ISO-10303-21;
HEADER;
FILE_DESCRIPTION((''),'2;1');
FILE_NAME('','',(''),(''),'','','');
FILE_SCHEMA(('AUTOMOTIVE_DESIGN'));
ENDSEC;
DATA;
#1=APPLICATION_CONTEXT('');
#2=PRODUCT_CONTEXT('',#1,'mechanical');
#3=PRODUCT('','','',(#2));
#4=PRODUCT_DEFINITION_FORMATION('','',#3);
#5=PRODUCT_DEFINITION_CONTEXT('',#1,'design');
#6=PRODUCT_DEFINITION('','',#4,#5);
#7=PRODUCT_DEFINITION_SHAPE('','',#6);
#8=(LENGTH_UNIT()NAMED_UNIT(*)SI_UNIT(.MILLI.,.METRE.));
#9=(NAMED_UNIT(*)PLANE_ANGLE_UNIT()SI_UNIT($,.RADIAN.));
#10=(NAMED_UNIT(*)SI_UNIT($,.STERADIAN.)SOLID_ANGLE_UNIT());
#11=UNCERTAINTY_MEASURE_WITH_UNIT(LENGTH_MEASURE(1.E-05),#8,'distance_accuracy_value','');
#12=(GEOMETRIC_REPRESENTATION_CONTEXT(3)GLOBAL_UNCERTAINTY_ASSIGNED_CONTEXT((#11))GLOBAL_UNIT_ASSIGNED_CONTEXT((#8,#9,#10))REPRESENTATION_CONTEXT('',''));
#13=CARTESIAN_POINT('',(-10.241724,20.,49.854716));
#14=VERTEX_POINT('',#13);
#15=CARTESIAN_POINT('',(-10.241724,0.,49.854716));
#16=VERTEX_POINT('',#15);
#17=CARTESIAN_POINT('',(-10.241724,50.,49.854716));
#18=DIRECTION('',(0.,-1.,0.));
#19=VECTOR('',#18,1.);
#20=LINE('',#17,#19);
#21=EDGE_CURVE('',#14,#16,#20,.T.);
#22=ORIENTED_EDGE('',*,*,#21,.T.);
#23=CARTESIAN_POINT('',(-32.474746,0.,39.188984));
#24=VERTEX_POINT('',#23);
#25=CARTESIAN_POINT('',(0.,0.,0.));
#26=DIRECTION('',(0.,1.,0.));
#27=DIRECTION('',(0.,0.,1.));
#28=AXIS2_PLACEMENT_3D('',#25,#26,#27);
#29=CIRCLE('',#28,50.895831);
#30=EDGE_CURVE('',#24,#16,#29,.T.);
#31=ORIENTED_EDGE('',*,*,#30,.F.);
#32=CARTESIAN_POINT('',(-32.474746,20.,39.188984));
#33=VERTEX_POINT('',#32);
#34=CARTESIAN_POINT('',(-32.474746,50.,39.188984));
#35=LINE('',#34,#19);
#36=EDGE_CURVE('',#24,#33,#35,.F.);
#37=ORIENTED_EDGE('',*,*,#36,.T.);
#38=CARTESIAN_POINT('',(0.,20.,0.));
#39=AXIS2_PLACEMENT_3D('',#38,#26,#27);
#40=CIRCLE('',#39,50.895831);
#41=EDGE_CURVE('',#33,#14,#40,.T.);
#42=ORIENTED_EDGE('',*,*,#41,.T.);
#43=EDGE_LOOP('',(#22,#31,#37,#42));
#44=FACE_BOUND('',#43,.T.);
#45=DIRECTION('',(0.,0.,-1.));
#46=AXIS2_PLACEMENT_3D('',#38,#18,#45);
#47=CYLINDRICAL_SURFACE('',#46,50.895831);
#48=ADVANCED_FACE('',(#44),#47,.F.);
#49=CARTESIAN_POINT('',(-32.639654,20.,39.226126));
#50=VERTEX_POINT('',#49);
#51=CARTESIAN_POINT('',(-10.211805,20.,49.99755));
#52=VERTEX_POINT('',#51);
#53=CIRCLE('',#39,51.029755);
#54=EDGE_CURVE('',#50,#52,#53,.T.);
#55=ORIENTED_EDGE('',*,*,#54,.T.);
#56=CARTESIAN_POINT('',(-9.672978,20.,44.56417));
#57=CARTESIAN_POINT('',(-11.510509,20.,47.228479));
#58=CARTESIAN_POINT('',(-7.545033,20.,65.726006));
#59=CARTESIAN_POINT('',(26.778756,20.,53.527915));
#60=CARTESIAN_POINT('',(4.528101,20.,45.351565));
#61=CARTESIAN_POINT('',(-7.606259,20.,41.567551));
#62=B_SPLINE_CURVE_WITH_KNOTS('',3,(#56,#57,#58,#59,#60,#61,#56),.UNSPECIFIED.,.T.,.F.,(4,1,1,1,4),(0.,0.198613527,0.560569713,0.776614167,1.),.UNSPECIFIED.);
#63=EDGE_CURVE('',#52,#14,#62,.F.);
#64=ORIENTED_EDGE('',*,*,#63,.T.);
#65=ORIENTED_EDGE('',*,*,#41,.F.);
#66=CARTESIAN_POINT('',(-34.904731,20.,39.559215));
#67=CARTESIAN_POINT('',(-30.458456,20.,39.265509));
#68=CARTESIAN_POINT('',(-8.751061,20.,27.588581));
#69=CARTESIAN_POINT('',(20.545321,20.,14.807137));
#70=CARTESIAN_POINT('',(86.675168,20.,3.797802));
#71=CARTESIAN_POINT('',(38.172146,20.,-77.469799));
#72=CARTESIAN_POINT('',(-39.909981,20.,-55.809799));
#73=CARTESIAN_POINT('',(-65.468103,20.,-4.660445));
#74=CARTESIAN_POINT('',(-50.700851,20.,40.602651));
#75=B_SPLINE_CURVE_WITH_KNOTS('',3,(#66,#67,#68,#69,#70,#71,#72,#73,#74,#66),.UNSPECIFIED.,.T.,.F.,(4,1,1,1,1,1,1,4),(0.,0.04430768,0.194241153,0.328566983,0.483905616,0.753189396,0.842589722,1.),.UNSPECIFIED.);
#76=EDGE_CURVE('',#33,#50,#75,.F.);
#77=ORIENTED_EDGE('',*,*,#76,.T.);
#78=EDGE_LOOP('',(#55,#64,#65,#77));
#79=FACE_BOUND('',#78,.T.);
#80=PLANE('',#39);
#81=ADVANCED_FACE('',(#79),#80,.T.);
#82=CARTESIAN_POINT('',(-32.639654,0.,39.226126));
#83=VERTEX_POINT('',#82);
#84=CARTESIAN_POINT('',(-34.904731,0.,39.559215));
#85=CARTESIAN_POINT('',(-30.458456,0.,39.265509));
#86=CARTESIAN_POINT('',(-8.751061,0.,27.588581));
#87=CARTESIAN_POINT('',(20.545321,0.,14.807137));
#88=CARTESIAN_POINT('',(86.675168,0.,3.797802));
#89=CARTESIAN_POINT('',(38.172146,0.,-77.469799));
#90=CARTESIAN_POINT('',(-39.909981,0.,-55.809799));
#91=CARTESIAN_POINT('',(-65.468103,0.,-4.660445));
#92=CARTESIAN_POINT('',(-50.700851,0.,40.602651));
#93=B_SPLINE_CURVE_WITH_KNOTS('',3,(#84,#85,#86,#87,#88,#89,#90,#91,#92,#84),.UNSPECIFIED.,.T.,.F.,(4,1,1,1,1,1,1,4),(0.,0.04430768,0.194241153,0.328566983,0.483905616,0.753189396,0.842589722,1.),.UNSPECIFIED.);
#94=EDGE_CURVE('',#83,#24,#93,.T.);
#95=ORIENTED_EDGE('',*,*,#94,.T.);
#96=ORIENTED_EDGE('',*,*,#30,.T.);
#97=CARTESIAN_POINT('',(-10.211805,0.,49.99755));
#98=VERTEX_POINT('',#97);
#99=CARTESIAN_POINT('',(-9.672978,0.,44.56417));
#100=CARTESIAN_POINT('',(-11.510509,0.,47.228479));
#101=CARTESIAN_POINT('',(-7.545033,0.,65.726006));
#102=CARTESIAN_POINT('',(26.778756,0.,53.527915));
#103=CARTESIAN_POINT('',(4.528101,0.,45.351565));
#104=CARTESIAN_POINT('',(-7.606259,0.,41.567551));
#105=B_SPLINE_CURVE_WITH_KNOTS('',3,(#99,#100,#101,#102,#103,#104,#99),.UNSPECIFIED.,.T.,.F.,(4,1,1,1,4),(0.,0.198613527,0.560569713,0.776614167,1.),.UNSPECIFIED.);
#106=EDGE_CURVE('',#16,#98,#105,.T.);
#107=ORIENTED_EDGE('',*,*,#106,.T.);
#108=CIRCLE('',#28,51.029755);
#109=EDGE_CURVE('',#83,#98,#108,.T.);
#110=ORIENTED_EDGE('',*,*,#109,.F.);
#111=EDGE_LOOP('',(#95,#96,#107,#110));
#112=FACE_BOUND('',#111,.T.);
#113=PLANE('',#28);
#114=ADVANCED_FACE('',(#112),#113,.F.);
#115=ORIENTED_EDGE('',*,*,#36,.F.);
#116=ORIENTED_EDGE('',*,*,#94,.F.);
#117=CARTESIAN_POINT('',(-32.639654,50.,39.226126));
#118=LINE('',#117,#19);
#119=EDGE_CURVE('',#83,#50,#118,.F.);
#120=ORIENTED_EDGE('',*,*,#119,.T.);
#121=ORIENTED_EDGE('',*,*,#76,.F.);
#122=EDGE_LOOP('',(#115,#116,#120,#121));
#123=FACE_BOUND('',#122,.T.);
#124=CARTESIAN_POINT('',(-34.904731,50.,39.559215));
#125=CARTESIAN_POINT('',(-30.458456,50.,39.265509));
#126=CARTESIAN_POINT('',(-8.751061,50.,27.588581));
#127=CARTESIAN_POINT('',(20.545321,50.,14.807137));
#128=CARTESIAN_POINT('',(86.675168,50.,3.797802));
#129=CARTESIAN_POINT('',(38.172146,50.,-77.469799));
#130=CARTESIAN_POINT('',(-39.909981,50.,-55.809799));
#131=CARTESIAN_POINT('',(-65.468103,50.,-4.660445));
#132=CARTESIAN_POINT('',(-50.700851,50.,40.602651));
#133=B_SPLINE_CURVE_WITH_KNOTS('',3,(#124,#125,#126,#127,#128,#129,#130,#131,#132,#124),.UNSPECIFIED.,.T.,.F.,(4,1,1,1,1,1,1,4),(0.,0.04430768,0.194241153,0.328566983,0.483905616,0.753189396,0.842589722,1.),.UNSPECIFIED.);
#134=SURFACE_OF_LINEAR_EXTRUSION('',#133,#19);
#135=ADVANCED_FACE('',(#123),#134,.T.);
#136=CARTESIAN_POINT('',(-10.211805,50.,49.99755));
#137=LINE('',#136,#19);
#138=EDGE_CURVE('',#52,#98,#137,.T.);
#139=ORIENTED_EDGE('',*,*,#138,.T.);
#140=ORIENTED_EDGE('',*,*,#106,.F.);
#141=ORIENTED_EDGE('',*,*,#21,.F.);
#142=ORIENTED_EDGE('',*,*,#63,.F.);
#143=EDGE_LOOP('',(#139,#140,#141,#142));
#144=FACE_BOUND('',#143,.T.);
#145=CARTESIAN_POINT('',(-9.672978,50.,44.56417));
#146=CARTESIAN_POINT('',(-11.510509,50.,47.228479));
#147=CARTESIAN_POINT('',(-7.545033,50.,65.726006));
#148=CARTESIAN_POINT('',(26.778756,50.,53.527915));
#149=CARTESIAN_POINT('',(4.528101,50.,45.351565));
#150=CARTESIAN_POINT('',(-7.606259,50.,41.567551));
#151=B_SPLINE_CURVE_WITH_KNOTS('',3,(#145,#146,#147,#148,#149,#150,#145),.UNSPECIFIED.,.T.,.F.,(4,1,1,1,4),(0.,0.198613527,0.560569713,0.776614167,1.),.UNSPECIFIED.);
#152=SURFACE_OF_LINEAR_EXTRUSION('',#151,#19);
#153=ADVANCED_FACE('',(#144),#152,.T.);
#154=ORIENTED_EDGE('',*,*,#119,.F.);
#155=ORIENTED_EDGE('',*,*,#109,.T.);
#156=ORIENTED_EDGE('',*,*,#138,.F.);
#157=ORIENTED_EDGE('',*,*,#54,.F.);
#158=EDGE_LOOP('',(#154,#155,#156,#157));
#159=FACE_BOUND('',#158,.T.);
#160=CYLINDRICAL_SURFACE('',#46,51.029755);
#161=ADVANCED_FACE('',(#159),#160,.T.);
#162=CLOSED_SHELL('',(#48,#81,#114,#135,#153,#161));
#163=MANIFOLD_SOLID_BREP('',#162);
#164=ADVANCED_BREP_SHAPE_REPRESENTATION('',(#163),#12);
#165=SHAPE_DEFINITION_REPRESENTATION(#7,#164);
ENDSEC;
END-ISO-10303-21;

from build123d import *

# Parameters (mm, degrees)
SKETCH1_R           = 51.029755332
SKETCH1_R_2         = 50.895830663
BOSS_EXTRUDE1_DEPTH = 20
CUT_EXTRUDE1_DEPTH  = 50
CUT_EXTRUDE3_DEPTH  = 50
CUT_EXTRUDE4_DEPTH  = 50


with BuildPart() as part:
    # Sketch1 → Boss-Extrude1 (new body)
    with BuildSketch(Plane(origin=(0, 0, 0), x_dir=(1, 0, 0), z_dir=(0, 1, 0))):
        with Locations(Location((0, 0, 0), (0, 0, 270))):
            Circle(SKETCH1_R)
        with Locations(Location((0, 0, 0), (0, 0, 270))):
            Circle(SKETCH1_R_2, mode=Mode.SUBTRACT)
    extrude(amount=BOSS_EXTRUDE1_DEPTH)

    # Sketch2 → Cut-Extrude1 (cut)
    with BuildSketch(Plane(origin=(0, 0, 0), x_dir=(1, 0, 0), z_dir=(0, 1, 0))):
        with BuildLine():
            add(Edge.make_bspline(
                [(-34.904731033, -39.559214609), (-30.458455569, -39.265509231), (-8.75106143, -27.58858136), (20.545320777, -14.807136755), (86.675168203, -3.797801784), (38.172145901, 77.469799439), (-39.909980954, 55.809798543), (-65.468102513, 4.660444989), (-50.700851491, -40.602650978), (-34.904731033, -39.559214609)],
                knots=[0, 0, 0, 0, 0.04430768, 0.194241153, 0.328566983, 0.483905616, 0.753189396, 0.842589722, 1, 1, 1, 1], degree=3))
        make_face()
    extrude(amount=CUT_EXTRUDE1_DEPTH, mode=Mode.SUBTRACT)

    # Sketch3 → Cut-Extrude3 (cut)
    with BuildSketch(Plane(origin=(0, 0, 0), x_dir=(1, 0, 0), z_dir=(0, 1, 0))):
        with BuildLine():
            add(Edge.make_bspline(
                [(15.246268895, -30.627230393), (8.812696929, -41.78541341), (-4.179204183, -74.113546423), (71.751860115, -51.38349092), (57.353322601, 23.43159241), (26.480816992, -11.142386759), (15.246268895, -30.627230393)],
                knots=[0, 0, 0, 0, 0.165808592, 0.474148196, 0.71045873, 1, 1, 1, 1], degree=3))
        make_face()
    extrude(amount=CUT_EXTRUDE3_DEPTH, mode=Mode.SUBTRACT)

    # Sketch4 → Cut-Extrude4 (cut)
    with BuildSketch(Plane(origin=(0, 0, 0), x_dir=(1, 0, 0), z_dir=(0, 1, 0))):
        with BuildLine():
            add(Edge.make_bspline(
                [(-9.67297834, -44.564169781), (-11.510509193, -47.228479243), (-7.545033393, -65.726006155), (26.778755679, -53.527914946), (4.528101436, -45.351564648), (-7.606259285, -41.56755118), (-9.67297834, -44.564169781)],
                knots=[0, 0, 0, 0, 0.198613527, 0.560569713, 0.776614167, 1, 1, 1, 1], degree=3))
        make_face()
    extrude(amount=CUT_EXTRUDE4_DEPTH, mode=Mode.SUBTRACT)


solid = part.part
